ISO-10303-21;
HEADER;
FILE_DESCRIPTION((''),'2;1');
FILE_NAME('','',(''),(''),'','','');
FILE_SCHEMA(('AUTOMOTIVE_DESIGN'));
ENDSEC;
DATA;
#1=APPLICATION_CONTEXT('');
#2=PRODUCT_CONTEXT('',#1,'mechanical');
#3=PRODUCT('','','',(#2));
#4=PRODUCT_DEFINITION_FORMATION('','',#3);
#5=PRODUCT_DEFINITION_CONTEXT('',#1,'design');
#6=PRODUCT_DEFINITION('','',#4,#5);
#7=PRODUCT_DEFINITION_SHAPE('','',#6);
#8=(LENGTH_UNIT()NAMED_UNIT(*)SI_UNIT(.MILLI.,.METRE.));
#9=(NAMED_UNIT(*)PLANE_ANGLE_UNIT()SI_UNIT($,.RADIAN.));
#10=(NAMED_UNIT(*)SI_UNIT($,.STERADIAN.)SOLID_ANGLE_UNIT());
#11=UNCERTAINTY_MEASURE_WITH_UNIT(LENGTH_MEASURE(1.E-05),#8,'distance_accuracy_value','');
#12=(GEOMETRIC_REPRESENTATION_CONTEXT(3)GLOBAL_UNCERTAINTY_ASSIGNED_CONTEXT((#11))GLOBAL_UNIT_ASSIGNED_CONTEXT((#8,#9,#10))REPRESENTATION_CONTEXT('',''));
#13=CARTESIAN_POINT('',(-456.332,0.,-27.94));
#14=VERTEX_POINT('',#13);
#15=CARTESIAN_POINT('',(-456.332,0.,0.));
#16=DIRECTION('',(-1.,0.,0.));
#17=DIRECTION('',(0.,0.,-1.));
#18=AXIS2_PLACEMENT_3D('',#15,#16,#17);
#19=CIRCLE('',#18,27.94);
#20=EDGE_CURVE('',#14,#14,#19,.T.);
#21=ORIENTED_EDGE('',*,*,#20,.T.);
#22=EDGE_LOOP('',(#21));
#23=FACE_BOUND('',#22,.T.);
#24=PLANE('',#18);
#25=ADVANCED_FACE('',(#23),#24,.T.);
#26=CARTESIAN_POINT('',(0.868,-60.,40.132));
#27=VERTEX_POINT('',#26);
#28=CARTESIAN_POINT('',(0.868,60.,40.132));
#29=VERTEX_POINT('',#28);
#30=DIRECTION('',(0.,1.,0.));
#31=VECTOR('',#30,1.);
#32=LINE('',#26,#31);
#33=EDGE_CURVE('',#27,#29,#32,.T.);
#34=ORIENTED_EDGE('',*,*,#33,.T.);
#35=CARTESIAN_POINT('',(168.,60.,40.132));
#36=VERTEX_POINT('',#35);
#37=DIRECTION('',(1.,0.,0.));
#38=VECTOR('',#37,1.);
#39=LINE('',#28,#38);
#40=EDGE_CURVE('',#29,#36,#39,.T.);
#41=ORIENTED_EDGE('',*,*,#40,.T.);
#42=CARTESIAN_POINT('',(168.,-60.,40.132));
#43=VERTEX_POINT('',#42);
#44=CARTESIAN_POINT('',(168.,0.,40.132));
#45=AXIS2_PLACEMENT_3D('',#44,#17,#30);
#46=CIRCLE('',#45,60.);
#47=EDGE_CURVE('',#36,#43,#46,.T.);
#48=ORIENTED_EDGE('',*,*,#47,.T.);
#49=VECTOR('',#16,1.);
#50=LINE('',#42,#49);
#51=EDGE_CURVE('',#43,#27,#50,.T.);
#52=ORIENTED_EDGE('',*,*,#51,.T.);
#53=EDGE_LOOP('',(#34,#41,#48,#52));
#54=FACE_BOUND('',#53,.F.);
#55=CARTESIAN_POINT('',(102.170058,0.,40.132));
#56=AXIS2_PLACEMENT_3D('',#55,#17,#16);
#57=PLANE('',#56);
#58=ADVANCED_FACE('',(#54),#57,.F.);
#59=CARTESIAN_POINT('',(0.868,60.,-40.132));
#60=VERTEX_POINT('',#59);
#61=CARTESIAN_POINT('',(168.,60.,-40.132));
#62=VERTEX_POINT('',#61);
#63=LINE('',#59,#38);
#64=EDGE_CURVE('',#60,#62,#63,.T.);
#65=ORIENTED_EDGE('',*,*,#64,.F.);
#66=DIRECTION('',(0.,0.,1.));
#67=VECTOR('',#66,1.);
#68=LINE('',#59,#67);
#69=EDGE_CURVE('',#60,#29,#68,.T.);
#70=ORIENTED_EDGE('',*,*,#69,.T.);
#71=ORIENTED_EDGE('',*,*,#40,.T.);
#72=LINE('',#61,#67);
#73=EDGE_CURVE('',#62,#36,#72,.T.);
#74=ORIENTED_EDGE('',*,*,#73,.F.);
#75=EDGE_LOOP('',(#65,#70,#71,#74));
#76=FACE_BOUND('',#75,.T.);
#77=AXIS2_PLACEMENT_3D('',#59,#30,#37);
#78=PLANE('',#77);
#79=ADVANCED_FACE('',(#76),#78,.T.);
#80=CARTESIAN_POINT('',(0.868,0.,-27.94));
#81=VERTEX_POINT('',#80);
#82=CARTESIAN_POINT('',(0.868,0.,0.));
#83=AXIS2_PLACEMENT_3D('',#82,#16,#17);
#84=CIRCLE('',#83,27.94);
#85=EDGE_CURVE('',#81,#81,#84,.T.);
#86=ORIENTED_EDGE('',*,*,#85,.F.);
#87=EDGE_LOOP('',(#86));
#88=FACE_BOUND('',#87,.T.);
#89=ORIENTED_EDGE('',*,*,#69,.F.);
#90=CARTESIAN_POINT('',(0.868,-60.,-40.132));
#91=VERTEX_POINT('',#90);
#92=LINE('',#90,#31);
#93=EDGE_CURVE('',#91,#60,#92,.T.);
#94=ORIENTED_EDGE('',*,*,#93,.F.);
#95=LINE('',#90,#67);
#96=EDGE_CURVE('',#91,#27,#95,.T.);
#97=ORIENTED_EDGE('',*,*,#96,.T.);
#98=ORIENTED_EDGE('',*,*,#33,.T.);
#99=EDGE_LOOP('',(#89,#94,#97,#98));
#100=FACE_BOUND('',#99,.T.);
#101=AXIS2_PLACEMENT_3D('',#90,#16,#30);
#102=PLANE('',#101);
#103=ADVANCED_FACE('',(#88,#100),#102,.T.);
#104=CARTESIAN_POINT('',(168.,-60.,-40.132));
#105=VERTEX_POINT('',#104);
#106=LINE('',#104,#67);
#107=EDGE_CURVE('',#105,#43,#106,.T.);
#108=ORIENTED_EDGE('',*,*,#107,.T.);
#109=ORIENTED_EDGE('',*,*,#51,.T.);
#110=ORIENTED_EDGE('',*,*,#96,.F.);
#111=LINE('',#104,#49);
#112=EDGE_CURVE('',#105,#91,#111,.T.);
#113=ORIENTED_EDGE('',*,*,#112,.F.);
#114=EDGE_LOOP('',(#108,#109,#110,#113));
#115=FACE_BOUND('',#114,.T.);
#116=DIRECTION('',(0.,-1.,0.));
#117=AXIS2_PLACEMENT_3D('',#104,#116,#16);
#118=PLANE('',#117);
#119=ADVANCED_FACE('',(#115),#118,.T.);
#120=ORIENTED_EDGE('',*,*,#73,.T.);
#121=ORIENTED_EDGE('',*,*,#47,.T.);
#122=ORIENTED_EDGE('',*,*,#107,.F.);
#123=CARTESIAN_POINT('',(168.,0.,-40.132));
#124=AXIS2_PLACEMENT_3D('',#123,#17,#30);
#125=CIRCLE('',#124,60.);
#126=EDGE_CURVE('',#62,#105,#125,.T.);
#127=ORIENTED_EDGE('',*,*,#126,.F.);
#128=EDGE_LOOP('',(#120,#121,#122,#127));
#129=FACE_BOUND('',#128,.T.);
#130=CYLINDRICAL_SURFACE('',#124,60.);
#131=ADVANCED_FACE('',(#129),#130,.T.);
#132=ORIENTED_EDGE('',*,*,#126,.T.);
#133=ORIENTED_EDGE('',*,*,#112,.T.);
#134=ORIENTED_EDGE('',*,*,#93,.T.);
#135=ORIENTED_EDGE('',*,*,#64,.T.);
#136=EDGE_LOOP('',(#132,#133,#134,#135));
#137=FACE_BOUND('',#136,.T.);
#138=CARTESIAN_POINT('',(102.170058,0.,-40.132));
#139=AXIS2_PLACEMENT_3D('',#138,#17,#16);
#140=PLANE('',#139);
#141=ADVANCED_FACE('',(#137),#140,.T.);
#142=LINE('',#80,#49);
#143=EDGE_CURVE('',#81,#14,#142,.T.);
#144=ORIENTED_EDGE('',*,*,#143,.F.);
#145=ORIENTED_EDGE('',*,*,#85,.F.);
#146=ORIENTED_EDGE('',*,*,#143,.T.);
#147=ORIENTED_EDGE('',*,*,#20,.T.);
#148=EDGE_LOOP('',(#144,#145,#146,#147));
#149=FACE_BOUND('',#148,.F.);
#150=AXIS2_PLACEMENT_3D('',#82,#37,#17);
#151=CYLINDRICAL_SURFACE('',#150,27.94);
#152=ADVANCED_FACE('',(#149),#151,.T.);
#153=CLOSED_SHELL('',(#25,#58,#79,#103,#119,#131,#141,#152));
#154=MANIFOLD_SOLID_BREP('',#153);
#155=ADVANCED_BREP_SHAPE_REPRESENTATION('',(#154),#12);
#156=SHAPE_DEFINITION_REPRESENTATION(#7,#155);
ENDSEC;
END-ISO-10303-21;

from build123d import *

# Parameters (mm, degrees)
BASE_EXTRUDE_DEPTH      = 40.132
BASE_EXTRUDE_DEPTH_BACK = 40.132
SKETCH5_R               = 27.94
BOSS_EXTRUDE1_DEPTH     = 457.2


with BuildPart() as part:
    # Sketch4 → Base-Extrude (new, two sides: drawn at the far end of the back side and taken through both)
    with BuildSketch(Plane.XY.offset(-BASE_EXTRUDE_DEPTH_BACK)):
        with BuildLine():
            Line((0.868, 60), (168, 60))
            ThreePointArc((168, 60), (228, 0), (168, -60))
            Line((168, -60), (0.868, -60))
            Line((0.868, -60), (0.868, 60))
        make_face()
    extrude(amount=BASE_EXTRUDE_DEPTH + BASE_EXTRUDE_DEPTH_BACK)

    # Sketch5 → Boss-Extrude1 (add)
    with BuildSketch(Plane.ZY.offset(-0.868)):
        Circle(SKETCH5_R)
    extrude(amount=BOSS_EXTRUDE1_DEPTH)


solid = part.part
